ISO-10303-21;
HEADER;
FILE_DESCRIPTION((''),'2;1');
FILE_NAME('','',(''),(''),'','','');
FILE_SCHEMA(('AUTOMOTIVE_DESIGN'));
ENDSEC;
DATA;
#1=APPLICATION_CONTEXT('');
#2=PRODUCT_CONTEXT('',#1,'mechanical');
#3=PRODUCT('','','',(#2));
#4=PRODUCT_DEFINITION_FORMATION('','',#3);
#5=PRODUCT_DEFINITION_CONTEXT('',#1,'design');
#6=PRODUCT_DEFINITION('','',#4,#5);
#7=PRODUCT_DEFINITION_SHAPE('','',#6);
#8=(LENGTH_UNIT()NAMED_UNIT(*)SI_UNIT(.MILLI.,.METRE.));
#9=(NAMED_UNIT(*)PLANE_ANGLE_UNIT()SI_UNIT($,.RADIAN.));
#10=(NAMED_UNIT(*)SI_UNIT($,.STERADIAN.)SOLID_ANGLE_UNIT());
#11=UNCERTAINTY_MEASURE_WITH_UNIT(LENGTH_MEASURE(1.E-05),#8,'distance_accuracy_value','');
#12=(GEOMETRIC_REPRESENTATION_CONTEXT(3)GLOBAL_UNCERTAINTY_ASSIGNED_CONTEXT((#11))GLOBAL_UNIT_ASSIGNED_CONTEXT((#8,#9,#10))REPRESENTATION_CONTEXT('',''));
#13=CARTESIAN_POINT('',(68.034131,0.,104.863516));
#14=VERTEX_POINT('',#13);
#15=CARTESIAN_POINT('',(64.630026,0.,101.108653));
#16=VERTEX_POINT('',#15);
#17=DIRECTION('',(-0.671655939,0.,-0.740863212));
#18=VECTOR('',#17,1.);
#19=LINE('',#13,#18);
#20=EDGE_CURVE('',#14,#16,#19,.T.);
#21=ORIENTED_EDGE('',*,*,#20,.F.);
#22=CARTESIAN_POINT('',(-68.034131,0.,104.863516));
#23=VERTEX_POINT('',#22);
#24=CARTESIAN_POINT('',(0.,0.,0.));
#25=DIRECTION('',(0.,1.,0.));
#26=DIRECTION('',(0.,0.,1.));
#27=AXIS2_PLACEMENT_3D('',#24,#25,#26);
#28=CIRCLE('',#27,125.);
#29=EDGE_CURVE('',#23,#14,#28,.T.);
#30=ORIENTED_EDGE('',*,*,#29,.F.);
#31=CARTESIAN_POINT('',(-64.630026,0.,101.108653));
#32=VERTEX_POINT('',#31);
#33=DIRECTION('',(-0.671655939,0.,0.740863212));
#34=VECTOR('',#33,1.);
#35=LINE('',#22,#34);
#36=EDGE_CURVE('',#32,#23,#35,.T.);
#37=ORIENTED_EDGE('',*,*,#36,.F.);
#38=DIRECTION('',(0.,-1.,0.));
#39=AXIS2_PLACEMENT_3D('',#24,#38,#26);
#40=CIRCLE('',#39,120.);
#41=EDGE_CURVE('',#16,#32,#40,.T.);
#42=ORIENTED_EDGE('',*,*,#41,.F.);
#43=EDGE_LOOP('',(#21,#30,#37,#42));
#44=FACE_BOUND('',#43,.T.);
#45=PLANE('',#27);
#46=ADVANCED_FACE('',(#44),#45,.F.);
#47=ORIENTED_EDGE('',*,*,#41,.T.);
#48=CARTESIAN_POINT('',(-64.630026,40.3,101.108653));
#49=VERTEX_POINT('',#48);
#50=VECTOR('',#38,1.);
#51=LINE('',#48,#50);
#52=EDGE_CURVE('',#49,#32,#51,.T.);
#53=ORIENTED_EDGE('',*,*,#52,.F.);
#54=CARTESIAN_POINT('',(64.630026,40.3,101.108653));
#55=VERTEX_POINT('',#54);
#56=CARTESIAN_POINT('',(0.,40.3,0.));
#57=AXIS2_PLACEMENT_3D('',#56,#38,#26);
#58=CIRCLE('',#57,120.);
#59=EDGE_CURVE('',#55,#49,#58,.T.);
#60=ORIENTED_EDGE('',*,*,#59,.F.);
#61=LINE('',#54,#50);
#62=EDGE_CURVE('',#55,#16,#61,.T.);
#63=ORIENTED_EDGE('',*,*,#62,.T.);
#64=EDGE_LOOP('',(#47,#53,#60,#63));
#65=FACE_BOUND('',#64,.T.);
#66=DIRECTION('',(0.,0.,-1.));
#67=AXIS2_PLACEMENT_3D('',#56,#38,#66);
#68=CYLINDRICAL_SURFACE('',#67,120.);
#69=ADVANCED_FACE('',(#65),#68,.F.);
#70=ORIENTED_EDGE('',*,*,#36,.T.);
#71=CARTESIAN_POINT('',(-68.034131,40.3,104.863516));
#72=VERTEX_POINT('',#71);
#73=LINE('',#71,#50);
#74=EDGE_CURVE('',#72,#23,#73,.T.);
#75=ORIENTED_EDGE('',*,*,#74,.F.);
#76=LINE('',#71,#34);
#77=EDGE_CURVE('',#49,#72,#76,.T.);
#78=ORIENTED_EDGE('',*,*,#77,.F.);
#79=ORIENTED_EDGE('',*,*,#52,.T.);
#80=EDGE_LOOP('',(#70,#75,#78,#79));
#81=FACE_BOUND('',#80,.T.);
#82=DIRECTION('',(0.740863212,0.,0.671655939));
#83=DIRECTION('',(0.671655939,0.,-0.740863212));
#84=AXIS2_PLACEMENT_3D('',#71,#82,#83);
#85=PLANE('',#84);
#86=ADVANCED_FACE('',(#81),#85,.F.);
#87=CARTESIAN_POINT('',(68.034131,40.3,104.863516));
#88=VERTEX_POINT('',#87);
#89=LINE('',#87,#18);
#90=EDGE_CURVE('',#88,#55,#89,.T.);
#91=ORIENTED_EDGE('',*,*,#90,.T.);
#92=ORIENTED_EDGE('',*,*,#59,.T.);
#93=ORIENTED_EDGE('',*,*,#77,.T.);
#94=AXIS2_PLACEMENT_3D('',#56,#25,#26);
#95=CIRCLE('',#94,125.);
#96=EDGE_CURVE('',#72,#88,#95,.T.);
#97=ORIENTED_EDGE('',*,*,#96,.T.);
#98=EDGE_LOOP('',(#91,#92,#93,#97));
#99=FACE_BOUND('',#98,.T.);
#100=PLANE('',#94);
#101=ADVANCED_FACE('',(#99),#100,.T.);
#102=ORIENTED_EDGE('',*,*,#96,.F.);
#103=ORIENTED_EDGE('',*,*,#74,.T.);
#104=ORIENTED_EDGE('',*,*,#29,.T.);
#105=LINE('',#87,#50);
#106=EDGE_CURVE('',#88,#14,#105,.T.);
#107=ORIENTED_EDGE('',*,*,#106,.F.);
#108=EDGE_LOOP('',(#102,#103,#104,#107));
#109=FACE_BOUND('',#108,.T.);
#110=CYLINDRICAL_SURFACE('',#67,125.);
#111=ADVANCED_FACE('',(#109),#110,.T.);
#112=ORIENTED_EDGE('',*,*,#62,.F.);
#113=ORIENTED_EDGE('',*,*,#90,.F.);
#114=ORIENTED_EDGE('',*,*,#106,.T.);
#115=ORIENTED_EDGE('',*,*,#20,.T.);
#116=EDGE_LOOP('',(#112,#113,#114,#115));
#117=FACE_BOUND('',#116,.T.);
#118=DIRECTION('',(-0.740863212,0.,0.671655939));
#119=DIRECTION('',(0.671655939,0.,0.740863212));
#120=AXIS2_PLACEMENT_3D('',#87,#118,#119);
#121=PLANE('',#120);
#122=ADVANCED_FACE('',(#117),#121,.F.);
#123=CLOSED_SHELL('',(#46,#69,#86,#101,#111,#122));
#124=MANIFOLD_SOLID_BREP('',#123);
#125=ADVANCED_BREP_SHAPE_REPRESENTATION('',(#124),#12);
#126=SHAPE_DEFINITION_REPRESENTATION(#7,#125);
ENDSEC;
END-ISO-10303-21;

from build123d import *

# Parameters (mm, degrees)
BOSS_EXTRUDE1_DEPTH = 40.3


with BuildPart() as part:
    # Sketch1 → Boss-Extrude1 (new body)
    with BuildSketch(Plane(origin=(0, 0, 0), x_dir=(1, 0, 0), z_dir=(0, 1, 0))):
        with BuildLine():
            Line((-68.034130514, -104.863516464), (-64.630025615, -101.108653383))
            ThreePointArc((-64.630025615, -101.108653383), (0, -120), (64.630025615, -101.108653383))
            Line((64.630025615, -101.108653383), (68.034130514, -104.863516464))
            ThreePointArc((68.034130514, -104.863516464), (0, -125), (-68.034130514, -104.863516464))
        make_face()
    extrude(amount=BOSS_EXTRUDE1_DEPTH)


solid = part.part
